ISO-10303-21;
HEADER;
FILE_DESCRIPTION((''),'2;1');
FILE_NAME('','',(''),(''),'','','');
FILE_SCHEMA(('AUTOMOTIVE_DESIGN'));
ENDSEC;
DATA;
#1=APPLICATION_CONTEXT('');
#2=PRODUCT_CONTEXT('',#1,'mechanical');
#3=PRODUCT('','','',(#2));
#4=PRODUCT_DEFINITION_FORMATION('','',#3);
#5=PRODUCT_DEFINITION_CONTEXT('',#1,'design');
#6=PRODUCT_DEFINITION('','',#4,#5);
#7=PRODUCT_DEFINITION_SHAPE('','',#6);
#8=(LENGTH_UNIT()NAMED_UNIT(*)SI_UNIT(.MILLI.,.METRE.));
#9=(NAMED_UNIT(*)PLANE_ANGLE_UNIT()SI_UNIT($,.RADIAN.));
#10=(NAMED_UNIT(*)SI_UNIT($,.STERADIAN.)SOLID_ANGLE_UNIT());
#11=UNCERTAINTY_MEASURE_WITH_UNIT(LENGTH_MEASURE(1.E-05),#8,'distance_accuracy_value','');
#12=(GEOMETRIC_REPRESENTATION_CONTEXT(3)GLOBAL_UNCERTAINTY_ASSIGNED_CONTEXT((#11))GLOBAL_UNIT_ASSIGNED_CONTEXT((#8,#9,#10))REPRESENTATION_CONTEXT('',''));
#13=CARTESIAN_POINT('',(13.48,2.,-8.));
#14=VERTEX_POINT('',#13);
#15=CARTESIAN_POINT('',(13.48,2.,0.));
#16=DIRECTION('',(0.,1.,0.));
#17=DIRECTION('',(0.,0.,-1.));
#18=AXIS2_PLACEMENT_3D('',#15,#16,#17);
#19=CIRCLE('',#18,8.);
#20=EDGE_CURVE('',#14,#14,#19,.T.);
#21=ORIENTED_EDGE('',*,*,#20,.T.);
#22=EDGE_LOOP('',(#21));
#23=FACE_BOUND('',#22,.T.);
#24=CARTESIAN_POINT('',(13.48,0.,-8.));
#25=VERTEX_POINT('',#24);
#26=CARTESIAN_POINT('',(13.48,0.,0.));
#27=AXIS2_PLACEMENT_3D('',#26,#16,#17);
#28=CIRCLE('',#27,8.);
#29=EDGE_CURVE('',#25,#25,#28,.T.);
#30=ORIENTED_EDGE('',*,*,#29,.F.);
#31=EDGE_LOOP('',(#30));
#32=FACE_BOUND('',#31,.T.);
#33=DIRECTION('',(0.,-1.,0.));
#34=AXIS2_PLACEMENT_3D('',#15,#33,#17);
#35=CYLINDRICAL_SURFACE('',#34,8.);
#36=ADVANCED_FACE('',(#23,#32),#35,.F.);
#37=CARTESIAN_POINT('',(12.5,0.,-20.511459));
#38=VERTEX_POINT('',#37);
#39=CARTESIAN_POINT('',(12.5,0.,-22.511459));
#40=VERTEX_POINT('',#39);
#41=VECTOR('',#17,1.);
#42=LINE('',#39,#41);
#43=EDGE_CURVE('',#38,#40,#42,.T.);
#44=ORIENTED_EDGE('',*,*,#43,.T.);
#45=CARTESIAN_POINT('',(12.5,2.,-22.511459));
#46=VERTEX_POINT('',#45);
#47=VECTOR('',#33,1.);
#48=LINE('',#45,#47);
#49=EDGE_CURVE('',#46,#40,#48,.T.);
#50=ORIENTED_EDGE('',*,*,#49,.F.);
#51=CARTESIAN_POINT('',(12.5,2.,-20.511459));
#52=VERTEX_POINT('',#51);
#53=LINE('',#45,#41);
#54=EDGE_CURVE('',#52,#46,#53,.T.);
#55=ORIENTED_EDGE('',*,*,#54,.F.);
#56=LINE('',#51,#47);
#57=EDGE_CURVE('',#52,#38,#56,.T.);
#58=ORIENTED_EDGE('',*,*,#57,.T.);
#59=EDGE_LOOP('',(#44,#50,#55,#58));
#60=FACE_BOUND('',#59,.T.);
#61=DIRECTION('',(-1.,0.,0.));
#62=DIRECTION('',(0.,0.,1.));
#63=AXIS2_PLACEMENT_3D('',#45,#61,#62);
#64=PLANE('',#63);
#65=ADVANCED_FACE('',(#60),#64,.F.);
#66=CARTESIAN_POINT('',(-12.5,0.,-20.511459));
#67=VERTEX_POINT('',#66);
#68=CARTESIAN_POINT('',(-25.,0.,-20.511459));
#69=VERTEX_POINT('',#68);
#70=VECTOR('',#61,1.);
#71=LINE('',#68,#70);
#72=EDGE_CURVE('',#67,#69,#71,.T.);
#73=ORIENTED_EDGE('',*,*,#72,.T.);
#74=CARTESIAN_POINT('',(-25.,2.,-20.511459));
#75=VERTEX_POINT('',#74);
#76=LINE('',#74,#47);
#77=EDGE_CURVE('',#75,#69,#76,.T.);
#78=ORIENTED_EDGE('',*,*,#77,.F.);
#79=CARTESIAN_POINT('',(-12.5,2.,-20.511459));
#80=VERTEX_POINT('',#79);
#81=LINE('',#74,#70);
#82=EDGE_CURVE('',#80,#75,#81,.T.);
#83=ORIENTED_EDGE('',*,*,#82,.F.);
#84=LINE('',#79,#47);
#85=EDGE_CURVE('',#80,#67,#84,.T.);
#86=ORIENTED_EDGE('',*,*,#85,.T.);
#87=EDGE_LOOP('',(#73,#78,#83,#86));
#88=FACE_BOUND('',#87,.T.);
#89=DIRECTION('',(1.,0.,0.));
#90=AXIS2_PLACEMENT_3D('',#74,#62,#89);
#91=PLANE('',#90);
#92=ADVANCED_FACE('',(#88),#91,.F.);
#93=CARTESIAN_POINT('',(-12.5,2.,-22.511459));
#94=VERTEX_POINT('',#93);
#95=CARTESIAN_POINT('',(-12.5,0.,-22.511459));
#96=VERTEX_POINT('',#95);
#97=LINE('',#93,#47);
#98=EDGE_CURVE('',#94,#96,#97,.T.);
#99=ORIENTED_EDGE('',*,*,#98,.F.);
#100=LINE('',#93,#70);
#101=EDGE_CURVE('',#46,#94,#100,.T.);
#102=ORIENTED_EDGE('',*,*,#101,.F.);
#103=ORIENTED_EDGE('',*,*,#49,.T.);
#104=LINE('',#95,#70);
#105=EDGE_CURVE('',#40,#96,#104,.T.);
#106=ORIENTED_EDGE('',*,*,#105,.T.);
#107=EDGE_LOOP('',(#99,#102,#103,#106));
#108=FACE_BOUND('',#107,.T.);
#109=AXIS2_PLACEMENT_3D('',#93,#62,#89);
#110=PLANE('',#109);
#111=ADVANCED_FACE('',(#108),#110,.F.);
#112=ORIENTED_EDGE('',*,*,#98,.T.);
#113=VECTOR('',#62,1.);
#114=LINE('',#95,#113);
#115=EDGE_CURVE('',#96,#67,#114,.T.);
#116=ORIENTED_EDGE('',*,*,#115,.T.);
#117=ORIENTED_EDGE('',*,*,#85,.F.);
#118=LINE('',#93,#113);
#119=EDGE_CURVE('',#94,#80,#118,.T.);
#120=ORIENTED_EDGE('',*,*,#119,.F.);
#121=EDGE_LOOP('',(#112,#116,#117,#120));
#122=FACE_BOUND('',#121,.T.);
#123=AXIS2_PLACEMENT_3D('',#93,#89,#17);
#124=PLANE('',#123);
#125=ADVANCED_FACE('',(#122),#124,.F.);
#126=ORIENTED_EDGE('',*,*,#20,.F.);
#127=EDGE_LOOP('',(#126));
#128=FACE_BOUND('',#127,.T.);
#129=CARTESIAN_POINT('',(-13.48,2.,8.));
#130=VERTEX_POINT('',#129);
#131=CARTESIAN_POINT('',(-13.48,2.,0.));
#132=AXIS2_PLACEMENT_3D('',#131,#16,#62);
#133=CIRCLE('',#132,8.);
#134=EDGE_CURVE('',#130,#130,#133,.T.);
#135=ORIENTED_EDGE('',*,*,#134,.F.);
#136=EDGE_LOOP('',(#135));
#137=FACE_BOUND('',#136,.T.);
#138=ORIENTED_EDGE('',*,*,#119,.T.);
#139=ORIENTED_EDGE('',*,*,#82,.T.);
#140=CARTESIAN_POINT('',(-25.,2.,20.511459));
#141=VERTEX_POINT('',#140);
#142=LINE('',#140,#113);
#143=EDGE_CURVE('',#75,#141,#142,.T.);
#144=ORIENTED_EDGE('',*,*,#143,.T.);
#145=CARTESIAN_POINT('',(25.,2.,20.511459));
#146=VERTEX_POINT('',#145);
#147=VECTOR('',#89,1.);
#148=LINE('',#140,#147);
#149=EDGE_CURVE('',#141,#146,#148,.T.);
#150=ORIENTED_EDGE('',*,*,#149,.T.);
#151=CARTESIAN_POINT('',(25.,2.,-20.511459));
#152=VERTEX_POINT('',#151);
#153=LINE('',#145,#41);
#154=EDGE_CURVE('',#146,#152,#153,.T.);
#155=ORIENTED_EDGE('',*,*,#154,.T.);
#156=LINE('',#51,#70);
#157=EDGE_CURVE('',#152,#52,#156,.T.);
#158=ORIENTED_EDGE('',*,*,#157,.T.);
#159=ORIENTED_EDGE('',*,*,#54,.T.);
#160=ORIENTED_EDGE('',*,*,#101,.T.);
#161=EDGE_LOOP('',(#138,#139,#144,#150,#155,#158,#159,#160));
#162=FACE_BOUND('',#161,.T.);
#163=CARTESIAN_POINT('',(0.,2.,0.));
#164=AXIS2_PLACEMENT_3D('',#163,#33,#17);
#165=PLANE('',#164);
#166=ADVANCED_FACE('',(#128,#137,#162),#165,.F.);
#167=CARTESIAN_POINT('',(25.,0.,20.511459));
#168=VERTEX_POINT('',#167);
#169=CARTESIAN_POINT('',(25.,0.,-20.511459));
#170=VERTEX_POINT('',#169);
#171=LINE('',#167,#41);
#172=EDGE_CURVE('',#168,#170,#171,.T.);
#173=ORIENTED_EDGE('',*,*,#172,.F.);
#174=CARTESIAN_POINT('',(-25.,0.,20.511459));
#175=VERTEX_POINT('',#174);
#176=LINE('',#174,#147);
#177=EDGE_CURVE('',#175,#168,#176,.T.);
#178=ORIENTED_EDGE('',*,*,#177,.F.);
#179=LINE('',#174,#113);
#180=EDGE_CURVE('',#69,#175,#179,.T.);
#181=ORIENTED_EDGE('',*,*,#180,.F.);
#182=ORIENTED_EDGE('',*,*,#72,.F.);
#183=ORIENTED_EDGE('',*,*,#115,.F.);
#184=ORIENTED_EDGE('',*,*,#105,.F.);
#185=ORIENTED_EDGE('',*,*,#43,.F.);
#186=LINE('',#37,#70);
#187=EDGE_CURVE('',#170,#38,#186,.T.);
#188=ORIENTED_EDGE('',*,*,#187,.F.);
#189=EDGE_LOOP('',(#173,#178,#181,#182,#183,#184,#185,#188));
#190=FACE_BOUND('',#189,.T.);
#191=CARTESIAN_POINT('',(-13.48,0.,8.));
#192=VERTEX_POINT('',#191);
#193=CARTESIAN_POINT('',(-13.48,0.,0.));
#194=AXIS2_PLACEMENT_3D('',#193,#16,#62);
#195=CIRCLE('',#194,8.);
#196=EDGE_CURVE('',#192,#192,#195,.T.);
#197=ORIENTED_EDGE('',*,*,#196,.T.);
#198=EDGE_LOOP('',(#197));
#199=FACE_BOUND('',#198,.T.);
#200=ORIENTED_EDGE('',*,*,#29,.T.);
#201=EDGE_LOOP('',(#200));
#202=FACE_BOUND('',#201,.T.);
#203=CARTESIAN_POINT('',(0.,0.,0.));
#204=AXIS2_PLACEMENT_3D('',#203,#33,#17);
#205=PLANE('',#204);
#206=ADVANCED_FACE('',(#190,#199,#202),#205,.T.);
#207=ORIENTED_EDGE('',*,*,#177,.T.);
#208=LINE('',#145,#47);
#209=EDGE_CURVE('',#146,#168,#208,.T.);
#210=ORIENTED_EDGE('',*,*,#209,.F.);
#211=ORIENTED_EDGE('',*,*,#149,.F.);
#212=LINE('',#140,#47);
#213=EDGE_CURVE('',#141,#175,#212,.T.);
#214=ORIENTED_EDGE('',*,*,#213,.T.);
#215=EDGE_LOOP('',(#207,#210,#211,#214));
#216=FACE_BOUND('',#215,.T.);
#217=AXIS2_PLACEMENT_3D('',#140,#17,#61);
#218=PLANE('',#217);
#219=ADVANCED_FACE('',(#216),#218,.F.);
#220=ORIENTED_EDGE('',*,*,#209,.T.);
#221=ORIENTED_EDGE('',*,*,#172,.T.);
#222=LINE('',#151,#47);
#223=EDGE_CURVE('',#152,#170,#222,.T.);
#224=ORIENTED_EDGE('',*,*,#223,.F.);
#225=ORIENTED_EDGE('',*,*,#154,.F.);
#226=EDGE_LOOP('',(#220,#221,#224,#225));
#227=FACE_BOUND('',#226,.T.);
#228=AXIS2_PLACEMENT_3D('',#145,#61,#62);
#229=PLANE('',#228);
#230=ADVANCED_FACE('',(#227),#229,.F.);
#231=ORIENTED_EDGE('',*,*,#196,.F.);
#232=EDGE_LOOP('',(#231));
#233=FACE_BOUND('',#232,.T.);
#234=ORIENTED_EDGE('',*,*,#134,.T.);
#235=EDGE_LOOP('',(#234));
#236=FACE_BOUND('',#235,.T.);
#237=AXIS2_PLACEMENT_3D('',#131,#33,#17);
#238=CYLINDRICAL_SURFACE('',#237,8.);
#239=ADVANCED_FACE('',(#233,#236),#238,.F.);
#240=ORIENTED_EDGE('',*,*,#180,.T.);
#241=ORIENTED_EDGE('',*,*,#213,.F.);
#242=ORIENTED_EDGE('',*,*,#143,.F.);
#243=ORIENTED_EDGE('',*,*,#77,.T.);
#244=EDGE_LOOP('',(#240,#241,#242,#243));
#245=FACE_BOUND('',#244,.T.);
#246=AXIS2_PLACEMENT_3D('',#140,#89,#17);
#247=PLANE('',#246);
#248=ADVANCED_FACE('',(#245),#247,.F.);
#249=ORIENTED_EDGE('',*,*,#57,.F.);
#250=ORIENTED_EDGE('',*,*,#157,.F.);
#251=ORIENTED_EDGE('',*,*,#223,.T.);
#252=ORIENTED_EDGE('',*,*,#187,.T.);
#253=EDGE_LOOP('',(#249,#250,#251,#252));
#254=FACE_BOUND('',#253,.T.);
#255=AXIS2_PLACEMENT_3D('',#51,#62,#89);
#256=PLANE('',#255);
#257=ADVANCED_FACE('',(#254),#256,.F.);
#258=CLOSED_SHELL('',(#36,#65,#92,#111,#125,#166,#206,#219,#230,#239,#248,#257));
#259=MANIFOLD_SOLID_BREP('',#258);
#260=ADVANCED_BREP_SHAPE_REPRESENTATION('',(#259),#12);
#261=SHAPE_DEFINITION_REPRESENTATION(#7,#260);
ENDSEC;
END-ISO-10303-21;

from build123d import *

# Parameters (mm, degrees)
SKETCH_1_R      = 8
EXTRUDE_1_DEPTH = 2


with BuildPart() as part:
    # 草圖1 → 填料-伸長1 (new body)
    with BuildSketch(Plane(origin=(0, 0, 0), x_dir=(1, 0, 0), z_dir=(0, 1, 0))):
        Polygon((12.5, 20.511459459), (25, 20.511459459), (25, -20.511459459), (-25, -20.511459459), (-25, 20.511459459), (-12.5, 20.511459459), (-12.5, 22.511459459), (12.5, 22.511459459), align=None)
        with Locations((-13.48, 0)):
            Circle(SKETCH_1_R, mode=Mode.SUBTRACT)
        with Locations((13.48, 0)):
            Circle(SKETCH_1_R, mode=Mode.SUBTRACT)
    extrude(amount=EXTRUDE_1_DEPTH)


solid = part.part
